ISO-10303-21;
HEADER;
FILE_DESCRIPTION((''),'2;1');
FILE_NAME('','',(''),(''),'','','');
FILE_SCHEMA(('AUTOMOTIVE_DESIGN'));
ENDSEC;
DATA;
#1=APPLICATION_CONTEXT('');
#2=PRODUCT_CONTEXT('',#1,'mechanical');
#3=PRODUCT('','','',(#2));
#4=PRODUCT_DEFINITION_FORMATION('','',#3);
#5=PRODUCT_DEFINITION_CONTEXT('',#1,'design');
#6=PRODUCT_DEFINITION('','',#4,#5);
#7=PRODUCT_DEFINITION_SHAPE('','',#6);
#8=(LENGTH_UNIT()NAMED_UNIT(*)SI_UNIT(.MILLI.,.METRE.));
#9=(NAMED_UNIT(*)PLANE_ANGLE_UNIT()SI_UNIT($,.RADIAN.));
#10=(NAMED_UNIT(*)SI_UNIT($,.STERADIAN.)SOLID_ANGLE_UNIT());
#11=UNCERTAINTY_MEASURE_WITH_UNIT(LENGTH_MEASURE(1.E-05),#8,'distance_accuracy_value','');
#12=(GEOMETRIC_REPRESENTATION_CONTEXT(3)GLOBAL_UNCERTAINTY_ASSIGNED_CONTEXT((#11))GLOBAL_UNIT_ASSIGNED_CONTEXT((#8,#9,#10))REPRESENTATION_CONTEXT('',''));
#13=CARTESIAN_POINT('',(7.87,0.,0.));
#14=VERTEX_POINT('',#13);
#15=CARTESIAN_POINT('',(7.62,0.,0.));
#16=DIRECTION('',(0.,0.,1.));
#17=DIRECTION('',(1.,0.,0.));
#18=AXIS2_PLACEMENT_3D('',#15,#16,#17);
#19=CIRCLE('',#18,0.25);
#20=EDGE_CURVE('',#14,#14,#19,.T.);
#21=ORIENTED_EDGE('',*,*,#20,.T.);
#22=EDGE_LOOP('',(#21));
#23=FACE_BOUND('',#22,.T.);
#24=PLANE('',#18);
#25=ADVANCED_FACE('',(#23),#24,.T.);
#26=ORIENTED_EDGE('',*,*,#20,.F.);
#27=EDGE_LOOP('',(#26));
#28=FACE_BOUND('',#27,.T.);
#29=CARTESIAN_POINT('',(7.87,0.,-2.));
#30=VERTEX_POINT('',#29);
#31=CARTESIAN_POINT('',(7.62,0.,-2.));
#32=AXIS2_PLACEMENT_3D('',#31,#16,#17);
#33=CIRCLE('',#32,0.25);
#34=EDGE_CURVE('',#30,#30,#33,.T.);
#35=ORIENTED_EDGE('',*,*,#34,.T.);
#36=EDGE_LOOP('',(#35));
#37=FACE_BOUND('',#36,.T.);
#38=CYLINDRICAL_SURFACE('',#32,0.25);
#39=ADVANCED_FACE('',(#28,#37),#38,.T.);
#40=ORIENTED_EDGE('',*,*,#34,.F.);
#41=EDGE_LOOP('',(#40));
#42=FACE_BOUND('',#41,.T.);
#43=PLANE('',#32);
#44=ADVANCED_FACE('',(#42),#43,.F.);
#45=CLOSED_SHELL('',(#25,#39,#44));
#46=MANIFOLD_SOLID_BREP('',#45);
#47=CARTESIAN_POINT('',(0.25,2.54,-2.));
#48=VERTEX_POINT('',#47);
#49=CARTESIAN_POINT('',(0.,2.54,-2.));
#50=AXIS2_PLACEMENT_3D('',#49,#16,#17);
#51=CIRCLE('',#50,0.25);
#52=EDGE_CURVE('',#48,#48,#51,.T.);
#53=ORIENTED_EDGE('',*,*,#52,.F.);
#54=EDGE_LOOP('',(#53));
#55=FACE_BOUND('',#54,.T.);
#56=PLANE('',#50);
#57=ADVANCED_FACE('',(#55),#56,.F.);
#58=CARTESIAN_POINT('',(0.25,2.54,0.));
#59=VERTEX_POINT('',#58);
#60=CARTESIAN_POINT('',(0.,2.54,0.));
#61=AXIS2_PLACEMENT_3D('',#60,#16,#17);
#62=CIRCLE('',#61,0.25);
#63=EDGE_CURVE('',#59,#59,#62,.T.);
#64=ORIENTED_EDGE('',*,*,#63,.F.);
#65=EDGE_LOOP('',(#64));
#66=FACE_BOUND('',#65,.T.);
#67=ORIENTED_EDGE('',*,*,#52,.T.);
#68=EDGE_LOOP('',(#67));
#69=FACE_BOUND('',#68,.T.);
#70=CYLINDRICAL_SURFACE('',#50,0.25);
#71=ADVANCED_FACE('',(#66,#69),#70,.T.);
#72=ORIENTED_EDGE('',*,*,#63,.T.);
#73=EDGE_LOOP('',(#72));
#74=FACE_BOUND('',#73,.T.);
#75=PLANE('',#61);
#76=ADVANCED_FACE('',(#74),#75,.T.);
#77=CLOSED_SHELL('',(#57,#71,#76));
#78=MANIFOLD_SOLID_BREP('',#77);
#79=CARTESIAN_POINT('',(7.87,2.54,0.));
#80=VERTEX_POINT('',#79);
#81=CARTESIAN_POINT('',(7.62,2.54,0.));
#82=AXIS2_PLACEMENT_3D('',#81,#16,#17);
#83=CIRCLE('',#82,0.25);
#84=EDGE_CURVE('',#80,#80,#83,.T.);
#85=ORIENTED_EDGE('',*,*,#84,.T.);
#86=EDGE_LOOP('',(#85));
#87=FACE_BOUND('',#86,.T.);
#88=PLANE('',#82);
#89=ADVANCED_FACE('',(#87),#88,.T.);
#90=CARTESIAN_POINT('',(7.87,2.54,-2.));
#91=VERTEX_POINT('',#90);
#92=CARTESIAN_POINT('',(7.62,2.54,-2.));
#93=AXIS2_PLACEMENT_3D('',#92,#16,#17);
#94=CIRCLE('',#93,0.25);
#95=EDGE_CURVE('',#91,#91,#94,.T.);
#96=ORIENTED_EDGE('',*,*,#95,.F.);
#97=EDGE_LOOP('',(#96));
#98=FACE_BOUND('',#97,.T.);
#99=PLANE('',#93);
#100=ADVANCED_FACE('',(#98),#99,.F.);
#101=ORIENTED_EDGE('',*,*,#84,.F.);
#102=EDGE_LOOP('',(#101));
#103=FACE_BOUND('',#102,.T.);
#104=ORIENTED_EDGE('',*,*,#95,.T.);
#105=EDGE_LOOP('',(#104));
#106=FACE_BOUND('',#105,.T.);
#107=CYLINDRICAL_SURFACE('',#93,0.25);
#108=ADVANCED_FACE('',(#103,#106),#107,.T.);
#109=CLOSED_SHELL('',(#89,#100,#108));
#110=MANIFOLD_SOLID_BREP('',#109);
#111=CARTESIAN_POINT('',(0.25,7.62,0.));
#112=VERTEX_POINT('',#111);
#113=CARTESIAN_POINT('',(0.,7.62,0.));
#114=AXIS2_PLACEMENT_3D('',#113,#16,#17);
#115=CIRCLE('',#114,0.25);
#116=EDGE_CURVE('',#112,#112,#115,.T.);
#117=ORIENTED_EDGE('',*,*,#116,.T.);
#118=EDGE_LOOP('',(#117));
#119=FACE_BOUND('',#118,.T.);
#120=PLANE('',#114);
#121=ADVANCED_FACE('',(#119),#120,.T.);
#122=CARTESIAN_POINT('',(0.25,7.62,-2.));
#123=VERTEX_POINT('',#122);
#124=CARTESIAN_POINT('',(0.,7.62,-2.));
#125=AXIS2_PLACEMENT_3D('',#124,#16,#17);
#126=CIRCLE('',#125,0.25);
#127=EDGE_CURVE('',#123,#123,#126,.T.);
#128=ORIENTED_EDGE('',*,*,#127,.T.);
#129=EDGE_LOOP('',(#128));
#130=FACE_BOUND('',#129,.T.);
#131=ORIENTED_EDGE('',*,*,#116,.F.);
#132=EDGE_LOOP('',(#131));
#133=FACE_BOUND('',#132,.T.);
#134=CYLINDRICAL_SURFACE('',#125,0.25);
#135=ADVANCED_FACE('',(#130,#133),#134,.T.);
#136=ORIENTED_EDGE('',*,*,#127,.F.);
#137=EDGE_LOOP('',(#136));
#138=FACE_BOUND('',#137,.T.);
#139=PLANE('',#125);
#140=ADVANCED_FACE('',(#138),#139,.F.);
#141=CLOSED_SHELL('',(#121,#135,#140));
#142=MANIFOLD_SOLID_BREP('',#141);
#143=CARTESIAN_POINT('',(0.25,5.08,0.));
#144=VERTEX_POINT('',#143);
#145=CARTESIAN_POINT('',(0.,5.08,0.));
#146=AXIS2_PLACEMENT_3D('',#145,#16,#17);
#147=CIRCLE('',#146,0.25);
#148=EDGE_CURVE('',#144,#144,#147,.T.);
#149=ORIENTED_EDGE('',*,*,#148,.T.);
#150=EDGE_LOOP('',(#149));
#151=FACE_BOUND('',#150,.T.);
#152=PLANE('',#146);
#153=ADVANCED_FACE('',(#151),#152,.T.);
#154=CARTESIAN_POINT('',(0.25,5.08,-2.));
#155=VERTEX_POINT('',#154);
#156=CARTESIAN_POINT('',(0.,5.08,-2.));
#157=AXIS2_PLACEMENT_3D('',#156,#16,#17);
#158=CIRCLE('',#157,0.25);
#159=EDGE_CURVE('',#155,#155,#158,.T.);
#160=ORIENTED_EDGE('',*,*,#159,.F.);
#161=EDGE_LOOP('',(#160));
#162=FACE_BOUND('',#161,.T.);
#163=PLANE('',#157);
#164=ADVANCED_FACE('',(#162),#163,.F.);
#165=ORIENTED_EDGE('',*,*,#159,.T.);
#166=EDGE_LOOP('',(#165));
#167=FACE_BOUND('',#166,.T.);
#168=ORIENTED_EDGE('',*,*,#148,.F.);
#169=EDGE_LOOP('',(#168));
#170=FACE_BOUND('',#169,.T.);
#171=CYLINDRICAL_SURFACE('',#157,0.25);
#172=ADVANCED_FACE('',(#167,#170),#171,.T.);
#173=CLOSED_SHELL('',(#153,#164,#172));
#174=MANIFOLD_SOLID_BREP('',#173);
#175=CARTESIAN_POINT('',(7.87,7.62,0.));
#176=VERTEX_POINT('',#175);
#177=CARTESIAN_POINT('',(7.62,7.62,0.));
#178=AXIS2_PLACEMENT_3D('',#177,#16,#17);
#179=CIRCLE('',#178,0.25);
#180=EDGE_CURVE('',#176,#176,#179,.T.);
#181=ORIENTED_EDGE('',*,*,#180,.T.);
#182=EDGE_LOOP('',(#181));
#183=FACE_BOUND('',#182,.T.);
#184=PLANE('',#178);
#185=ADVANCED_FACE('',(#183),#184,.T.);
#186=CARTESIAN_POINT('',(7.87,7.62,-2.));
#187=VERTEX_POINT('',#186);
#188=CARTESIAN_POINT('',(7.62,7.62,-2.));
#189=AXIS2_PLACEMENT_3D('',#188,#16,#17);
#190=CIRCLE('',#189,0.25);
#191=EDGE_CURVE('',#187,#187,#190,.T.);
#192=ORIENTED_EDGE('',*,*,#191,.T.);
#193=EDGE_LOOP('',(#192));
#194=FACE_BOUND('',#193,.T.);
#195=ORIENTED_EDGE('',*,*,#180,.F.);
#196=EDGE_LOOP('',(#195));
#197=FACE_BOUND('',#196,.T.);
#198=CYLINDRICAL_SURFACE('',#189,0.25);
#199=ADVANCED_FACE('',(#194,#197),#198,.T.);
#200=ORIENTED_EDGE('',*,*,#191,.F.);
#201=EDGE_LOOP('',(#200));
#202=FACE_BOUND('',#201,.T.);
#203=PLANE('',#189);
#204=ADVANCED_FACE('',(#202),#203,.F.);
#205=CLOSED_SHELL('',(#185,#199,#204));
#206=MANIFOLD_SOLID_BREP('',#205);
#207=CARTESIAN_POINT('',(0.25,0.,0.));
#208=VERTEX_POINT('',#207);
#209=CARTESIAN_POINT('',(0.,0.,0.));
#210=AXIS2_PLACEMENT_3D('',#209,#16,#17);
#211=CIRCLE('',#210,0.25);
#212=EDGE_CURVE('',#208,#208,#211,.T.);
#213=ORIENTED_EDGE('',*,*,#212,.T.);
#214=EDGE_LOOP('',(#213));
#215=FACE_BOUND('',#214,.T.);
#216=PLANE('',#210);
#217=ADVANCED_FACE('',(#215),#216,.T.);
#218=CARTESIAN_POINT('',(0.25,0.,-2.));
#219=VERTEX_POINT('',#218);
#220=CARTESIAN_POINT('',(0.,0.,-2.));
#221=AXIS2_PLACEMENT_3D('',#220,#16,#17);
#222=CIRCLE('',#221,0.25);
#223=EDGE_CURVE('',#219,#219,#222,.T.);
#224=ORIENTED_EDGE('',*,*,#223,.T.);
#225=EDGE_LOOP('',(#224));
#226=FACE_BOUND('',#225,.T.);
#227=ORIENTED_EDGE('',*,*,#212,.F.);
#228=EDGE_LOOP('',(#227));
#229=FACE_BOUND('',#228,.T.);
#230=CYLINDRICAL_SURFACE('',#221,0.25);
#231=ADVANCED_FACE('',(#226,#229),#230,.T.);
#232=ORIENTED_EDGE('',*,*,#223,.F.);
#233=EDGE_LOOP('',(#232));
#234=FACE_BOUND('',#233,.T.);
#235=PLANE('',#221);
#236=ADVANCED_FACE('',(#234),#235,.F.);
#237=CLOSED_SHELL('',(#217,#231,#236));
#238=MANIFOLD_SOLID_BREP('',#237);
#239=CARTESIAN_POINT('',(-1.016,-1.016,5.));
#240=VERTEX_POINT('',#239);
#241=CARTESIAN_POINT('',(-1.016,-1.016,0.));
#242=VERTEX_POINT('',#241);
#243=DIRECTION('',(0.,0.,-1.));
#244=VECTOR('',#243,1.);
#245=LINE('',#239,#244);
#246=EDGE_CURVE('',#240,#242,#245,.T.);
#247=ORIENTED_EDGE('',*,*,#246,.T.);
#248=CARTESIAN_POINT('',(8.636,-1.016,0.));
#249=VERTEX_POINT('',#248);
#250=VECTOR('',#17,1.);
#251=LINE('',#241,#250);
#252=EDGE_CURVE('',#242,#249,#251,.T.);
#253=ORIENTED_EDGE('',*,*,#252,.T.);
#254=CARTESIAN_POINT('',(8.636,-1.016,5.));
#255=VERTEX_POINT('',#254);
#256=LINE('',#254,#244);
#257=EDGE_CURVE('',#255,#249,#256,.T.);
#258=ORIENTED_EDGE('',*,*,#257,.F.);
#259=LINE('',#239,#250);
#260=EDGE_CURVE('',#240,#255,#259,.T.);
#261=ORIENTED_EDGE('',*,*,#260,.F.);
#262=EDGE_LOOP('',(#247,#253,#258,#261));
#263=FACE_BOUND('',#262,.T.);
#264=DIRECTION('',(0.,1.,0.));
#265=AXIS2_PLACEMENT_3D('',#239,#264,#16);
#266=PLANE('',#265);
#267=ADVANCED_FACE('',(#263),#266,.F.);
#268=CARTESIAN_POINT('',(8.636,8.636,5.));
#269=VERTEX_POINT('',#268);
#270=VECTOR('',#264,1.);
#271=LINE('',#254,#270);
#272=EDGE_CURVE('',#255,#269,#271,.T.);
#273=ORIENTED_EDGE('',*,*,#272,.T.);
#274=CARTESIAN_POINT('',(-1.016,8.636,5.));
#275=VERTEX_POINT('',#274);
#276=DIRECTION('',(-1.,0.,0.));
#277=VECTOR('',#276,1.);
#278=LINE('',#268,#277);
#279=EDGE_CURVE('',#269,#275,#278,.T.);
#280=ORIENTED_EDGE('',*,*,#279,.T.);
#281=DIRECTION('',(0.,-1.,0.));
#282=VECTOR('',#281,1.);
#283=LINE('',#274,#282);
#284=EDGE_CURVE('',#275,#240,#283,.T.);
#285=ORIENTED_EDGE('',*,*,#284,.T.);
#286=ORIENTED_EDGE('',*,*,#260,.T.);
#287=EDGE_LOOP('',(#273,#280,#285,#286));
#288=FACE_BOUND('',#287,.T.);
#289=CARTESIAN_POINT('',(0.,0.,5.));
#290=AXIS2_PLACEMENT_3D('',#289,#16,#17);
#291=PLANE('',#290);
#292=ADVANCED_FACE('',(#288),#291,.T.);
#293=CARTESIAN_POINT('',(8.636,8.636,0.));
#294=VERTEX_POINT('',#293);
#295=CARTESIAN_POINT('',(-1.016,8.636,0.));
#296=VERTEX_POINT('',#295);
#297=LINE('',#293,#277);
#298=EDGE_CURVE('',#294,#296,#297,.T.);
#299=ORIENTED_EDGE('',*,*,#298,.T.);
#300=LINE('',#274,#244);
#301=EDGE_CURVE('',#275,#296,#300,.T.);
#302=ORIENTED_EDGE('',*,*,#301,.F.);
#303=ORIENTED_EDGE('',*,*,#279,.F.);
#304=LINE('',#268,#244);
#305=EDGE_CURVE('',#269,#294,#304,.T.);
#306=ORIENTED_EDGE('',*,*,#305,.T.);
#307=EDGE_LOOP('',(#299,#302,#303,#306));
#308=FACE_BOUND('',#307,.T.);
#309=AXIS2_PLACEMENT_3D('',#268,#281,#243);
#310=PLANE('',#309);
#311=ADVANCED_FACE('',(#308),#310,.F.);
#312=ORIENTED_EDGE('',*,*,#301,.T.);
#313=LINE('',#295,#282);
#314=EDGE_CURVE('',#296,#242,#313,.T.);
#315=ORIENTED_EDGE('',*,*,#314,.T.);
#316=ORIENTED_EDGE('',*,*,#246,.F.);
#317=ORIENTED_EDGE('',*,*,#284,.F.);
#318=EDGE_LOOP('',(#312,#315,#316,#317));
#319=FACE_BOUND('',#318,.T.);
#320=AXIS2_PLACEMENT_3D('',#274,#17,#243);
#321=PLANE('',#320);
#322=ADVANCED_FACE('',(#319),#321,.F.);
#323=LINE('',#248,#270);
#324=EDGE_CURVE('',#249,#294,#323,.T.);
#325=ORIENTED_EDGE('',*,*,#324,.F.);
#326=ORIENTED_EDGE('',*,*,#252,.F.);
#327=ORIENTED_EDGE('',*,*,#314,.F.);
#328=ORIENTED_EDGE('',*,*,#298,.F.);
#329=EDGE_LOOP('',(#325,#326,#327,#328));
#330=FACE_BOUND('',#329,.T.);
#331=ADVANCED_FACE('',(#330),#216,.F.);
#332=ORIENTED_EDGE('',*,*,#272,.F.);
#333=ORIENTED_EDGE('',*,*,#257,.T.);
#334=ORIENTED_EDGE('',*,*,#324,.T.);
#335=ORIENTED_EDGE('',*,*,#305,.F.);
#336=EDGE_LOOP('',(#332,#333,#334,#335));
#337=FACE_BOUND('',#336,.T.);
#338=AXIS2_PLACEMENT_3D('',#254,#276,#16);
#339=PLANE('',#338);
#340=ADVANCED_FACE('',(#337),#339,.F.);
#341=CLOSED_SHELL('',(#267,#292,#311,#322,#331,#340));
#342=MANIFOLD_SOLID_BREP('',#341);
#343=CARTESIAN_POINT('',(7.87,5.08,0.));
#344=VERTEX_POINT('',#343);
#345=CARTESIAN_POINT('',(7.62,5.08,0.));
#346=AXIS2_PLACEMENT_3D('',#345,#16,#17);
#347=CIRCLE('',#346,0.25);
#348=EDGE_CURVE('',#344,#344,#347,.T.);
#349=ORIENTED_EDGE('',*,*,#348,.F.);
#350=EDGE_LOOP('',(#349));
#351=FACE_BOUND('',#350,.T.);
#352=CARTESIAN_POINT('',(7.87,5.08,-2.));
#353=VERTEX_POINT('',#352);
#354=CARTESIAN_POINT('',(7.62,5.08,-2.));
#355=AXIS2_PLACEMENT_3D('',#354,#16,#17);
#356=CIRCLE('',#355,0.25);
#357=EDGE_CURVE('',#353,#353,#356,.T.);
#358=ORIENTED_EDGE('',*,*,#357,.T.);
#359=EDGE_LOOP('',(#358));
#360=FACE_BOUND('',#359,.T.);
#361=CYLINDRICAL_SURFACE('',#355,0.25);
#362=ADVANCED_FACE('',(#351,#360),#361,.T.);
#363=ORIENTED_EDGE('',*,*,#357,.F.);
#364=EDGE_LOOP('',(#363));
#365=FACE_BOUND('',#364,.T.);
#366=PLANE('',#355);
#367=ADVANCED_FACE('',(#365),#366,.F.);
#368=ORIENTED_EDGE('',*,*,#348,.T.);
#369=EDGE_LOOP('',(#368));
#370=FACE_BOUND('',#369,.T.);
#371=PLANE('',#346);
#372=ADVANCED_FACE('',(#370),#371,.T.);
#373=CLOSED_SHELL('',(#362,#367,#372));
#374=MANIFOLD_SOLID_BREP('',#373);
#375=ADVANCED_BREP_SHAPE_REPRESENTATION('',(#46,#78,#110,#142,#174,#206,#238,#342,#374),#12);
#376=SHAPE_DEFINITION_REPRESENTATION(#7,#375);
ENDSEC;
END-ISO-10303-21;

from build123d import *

# Parameters (mm, degrees)
SKETCH1_W               = 9.652
SKETCH1_H               = 9.652
COMPONENT_OUTLINE_DEPTH = 5
SKETCH2_R               = 0.25
EXTRUDE_1_DEPTH         = 2
SKETCH3_R               = 0.25
EXTRUDE_2_DEPTH         = 2
SKETCH4_R               = 0.25
EXTRUDE_3_DEPTH         = 2
SKETCH5_R               = 0.25
EXTRUDE_4_DEPTH         = 2
SKETCH6_R               = 0.25
EXTRUDE_5_DEPTH         = 2
SKETCH7_R               = 0.25
EXTRUDE_6_DEPTH         = 2
SKETCH8_R               = 0.25
EXTRUDE_7_DEPTH         = 2
SKETCH9_R               = 0.25
EXTRUDE_8_DEPTH         = 2


with BuildPart() as part:
    # Sketch1 → Component_Outline (new body)
    with BuildSketch(Plane.XY):
        with Locations((3.81, 3.81)):
            Rectangle(SKETCH1_W, SKETCH1_H)
    extrude(amount=COMPONENT_OUTLINE_DEPTH)


with BuildPart() as body_2:
    # Sketch2 → Extrude 1 (new body)
    with BuildSketch(Plane.XY):
        Circle(SKETCH2_R)
    extrude(amount=-EXTRUDE_1_DEPTH)


with BuildPart() as body_3:
    # Sketch3 → Extrude 2 (new body)
    with BuildSketch(Plane.XY):
        with Locations((0, 2.54)):
            Circle(SKETCH3_R)
    extrude(amount=-EXTRUDE_2_DEPTH)


with BuildPart() as body_4:
    # Sketch4 → Extrude 3 (new body)
    with BuildSketch(Plane.XY):
        with Locations((0, 5.08)):
            Circle(SKETCH4_R)
    extrude(amount=-EXTRUDE_3_DEPTH)


with BuildPart() as body_5:
    # Sketch5 → Extrude 4 (new body)
    with BuildSketch(Plane.XY):
        with Locations((0, 7.62)):
            Circle(SKETCH5_R)
    extrude(amount=-EXTRUDE_4_DEPTH)


with BuildPart() as body_6:
    # Sketch6 → Extrude 5 (new body)
    with BuildSketch(Plane.XY):
        with Locations((7.62, 0)):
            Circle(SKETCH6_R)
    extrude(amount=-EXTRUDE_5_DEPTH)


with BuildPart() as body_7:
    # Sketch7 → Extrude 6 (new body)
    with BuildSketch(Plane.XY):
        with Locations((7.62, 2.54)):
            Circle(SKETCH7_R)
    extrude(amount=-EXTRUDE_6_DEPTH)


with BuildPart() as body_8:
    # Sketch8 → Extrude 7 (new body)
    with BuildSketch(Plane.XY):
        with Locations((7.62, 5.08)):
            Circle(SKETCH8_R)
    extrude(amount=-EXTRUDE_7_DEPTH)


with BuildPart() as body_9:
    # Sketch9 → Extrude 8 (new body)
    with BuildSketch(Plane.XY):
        with Locations((7.62, 7.62)):
            Circle(SKETCH9_R)
    extrude(amount=-EXTRUDE_8_DEPTH)


solid = Compound([part.part, body_2.part, body_3.part, body_4.part, body_5.part, body_6.part, body_7.part, body_8.part, body_9.part])
